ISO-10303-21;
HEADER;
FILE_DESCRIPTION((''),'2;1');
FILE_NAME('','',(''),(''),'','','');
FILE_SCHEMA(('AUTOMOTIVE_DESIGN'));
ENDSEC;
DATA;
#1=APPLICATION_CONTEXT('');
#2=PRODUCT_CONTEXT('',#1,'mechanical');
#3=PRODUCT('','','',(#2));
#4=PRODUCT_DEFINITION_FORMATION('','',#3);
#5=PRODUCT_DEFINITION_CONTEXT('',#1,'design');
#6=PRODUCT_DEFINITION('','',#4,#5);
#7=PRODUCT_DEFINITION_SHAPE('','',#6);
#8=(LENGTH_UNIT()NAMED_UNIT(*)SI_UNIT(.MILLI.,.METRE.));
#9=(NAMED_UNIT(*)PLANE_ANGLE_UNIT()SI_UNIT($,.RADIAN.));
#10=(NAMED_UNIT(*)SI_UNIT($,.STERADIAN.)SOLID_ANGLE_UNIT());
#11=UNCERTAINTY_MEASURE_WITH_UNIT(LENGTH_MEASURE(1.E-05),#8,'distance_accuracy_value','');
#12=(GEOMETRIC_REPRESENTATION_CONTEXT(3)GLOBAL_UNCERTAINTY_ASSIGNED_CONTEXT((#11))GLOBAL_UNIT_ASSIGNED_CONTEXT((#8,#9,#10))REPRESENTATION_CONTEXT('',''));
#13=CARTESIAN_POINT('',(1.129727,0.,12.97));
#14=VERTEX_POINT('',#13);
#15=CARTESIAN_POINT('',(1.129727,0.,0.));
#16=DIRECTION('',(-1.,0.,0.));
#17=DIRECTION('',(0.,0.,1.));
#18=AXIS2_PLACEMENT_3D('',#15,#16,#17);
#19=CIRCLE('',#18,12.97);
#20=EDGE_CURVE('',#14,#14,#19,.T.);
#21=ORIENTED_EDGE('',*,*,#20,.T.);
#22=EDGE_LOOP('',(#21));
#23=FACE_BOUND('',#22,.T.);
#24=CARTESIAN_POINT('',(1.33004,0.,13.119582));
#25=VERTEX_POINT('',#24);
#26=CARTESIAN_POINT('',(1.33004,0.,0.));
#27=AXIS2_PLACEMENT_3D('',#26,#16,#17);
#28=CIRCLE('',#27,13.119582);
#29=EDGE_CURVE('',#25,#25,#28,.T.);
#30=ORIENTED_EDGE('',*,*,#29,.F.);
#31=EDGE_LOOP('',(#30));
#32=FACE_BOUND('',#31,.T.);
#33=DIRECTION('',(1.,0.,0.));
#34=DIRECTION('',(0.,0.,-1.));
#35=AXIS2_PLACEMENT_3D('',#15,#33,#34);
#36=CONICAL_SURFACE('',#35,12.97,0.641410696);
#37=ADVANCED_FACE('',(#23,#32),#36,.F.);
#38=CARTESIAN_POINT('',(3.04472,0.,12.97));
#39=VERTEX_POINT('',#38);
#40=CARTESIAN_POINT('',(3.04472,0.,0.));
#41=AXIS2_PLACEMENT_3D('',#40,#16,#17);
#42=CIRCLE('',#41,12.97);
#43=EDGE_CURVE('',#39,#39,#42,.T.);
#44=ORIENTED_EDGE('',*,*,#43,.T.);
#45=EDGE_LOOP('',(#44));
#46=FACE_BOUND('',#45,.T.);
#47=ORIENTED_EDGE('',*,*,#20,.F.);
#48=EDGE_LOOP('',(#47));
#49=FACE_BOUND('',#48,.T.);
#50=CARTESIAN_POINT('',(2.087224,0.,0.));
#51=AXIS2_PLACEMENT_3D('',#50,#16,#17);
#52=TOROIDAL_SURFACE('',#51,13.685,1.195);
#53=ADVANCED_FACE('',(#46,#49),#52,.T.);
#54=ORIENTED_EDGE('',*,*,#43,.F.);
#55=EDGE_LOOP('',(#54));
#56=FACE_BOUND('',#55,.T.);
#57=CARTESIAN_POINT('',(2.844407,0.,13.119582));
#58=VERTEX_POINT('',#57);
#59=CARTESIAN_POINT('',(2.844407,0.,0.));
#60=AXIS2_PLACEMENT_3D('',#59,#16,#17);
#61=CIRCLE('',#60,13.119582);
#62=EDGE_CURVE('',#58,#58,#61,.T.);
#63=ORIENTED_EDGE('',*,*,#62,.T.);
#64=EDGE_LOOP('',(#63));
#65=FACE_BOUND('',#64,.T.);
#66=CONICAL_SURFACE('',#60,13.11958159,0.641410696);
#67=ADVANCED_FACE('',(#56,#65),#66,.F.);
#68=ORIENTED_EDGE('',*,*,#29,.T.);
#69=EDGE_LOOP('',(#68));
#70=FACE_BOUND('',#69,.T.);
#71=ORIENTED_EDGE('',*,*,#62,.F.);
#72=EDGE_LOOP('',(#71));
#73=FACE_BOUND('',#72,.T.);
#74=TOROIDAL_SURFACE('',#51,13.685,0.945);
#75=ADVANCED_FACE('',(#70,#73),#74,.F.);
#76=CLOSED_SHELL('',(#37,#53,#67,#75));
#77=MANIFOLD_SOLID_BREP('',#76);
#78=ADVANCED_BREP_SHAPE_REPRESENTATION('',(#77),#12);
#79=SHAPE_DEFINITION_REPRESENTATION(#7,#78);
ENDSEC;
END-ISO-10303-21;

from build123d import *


with BuildPart() as part:
    # Sketch1 → Revolve1 (revolve)
    with BuildSketch(Plane.XY):
        with BuildLine():
            Line((1.129726799, 12.97), (1.330039924, 13.11958159))
            ThreePointArc((1.330039924, 13.11958159), (2.087223536, 14.63), (2.844407147, 13.11958159))
            Line((2.844407147, 13.11958159), (3.044720272, 12.97))
            ThreePointArc((3.044720272, 12.97), (2.087223536, 14.88), (1.129726799, 12.97))
        make_face()
    revolve(axis=Axis((-88.99, 0, 0), (1, 0, 0)))


solid = part.part
